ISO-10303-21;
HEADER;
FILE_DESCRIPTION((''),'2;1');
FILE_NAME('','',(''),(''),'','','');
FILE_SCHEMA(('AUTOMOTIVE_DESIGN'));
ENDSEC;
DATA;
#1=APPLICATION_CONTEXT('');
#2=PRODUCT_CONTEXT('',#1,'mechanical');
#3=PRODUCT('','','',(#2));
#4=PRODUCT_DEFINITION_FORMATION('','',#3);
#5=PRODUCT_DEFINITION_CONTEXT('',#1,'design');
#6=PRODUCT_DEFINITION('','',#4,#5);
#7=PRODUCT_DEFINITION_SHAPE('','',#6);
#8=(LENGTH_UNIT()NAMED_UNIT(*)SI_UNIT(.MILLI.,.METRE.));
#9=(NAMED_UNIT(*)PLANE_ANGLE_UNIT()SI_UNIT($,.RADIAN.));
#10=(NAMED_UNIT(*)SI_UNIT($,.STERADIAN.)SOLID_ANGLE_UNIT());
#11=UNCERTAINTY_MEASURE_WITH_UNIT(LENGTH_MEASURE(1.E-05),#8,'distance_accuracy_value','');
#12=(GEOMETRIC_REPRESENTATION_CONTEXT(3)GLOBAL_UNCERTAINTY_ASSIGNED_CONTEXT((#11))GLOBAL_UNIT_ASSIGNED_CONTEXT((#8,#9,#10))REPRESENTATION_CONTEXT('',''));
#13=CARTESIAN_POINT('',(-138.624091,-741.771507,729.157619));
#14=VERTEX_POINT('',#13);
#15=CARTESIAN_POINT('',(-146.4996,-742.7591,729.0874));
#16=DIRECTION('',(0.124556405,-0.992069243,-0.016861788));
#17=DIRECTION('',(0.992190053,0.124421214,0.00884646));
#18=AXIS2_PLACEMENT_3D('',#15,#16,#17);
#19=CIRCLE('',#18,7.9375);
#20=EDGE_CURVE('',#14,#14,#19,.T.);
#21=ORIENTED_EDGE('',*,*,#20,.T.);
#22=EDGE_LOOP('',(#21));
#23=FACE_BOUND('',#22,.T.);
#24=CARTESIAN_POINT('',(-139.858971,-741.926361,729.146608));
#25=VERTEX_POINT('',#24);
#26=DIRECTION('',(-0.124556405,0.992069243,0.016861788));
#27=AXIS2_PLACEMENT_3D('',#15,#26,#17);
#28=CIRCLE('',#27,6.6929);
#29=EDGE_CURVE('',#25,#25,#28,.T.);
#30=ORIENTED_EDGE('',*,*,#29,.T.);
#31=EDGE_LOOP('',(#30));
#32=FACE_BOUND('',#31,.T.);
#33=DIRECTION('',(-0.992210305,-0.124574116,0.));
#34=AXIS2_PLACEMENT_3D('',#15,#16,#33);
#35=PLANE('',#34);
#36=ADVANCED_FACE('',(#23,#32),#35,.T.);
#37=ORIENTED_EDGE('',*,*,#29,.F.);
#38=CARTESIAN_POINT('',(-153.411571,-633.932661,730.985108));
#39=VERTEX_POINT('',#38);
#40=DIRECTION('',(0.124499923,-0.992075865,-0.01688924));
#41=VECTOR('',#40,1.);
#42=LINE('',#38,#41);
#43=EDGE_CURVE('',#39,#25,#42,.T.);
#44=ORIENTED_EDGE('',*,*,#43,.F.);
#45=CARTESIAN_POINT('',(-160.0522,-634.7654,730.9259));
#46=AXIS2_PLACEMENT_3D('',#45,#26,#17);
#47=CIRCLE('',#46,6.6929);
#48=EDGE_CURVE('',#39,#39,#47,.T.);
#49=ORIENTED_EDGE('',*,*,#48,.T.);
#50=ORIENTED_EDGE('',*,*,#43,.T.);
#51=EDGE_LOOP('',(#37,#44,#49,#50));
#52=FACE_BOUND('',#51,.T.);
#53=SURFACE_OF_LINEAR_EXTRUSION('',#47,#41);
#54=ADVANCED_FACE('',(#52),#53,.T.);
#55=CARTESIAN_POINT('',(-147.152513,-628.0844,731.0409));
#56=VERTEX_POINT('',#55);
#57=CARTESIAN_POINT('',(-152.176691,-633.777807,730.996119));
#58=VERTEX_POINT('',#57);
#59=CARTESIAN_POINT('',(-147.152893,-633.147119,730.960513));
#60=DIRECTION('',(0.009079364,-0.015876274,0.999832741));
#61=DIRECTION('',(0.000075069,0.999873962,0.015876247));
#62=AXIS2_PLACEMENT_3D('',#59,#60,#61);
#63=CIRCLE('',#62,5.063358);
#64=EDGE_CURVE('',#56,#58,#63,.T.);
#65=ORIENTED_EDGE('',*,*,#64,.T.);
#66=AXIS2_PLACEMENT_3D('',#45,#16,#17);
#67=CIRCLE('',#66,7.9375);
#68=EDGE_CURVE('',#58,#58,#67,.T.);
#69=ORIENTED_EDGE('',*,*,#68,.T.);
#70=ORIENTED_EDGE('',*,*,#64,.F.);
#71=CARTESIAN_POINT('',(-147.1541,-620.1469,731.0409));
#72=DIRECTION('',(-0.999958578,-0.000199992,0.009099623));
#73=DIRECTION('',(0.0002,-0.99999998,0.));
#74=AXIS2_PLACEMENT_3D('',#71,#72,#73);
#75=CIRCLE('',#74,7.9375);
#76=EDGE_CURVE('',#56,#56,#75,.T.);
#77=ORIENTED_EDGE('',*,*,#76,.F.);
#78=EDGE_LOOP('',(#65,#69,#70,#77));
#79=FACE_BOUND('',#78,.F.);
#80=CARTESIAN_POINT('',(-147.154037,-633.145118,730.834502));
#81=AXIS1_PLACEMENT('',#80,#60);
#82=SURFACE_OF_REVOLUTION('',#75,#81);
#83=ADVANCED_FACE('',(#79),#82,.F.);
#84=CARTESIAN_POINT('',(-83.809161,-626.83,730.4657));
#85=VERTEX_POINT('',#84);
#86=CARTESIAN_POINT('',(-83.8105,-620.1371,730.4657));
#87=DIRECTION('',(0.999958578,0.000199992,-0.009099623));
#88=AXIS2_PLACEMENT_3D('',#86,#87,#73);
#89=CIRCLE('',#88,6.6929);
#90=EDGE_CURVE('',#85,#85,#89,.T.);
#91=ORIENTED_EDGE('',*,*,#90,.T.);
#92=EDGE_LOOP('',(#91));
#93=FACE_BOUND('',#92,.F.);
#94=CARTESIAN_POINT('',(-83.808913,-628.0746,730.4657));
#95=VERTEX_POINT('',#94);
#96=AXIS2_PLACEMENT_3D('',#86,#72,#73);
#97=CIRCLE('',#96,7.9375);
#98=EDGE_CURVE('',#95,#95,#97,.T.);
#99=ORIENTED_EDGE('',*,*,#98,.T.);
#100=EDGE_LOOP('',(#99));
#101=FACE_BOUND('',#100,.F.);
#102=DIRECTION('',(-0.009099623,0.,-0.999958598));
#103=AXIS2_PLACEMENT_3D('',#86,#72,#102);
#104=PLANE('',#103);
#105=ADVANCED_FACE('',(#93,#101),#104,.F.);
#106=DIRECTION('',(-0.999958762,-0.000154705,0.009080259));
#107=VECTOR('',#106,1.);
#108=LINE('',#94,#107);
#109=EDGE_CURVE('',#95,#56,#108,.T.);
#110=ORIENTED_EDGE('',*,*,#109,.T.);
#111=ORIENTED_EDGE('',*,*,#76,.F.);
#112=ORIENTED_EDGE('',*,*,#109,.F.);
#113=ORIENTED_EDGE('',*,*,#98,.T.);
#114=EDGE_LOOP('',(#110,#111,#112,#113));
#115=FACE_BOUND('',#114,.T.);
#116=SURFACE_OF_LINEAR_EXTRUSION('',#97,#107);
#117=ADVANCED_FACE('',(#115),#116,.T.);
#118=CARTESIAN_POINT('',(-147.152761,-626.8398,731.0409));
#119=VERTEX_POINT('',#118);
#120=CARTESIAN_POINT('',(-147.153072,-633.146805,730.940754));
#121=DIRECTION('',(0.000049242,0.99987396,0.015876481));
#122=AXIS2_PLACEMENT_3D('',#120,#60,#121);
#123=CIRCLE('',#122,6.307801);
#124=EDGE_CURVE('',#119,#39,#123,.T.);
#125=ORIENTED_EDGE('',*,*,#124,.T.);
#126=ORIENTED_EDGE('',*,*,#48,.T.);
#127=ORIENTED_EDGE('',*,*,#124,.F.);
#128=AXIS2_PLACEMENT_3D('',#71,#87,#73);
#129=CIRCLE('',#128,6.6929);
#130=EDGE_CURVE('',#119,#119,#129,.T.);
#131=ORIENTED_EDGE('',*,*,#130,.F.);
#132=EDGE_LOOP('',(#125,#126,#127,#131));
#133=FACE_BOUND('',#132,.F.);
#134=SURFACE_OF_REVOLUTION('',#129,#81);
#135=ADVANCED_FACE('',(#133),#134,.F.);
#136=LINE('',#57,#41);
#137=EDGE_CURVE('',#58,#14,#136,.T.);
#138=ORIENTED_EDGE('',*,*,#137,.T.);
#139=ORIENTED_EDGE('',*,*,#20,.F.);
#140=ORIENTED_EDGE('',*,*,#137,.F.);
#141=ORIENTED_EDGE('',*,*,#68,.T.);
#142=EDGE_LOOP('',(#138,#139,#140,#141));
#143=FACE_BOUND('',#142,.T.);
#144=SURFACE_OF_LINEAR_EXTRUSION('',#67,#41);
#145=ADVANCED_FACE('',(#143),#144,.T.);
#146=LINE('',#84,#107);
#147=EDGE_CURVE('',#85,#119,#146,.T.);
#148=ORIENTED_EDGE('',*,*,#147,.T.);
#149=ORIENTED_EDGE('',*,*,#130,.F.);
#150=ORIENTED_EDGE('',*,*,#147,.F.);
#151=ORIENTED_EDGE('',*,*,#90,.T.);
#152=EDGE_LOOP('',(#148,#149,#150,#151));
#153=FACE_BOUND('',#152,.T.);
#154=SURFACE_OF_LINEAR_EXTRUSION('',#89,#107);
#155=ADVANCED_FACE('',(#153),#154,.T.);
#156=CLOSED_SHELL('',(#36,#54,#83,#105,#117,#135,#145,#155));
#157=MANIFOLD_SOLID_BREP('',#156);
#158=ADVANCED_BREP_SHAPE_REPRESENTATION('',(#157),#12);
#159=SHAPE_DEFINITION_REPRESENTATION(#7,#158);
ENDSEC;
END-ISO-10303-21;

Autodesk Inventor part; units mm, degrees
ref_plane "YZ Plane" through (0, 0, 0) normal (1, 0, 0) x (0, 1, 0)
ref_plane "XZ Plane" through (0, 0, 0) normal (0, 1, 0) x (-1, 0, 0)
ref_plane "Work Plane5" through (-83.8105, -620.1371, 730.4657) normal (-1, -0.0002, 0.0091) x (0.0002, -1, 0)
sketch "Sketch7" plane through (-83.8105, -620.1371, 730.4657) normal (-1, -0.0002, 0.0091) x (0.0002, -1, 0)
  circle A0 centre (0, 0) radius 7.9375
  circle A1 centre (0, 0) radius 6.6929
sketch3d "3D Sketch5"
  line L0 (-83.8105, -620.1371, 730.4657) -> (-147.1541, -620.1469, 731.0409)
  arc A0 (-147.1541, -620.1469, 731.0409) -> (-160.0522, -634.7654, 730.9259) centre (-147.154, -633.1452, 730.8345) ccw
  line L1 (-160.0522, -634.7654, 730.9259) -> (-146.4996, -742.7591, 729.0874)
  dimension "d16" = 12.9999
sweep "Sweep5" add profiles "Sketch7" path "3D Sketch5"
equation "\"OD\" = 15.875"
equation "\"t\" = 1.2446"
equation "\"L\" = PL"
equation "\"ID\" = 13.3858"
equation "\"PL\" = 194.2338"
equation "\"Size_Designation\" = 1.2345"
properties material "Copper"
